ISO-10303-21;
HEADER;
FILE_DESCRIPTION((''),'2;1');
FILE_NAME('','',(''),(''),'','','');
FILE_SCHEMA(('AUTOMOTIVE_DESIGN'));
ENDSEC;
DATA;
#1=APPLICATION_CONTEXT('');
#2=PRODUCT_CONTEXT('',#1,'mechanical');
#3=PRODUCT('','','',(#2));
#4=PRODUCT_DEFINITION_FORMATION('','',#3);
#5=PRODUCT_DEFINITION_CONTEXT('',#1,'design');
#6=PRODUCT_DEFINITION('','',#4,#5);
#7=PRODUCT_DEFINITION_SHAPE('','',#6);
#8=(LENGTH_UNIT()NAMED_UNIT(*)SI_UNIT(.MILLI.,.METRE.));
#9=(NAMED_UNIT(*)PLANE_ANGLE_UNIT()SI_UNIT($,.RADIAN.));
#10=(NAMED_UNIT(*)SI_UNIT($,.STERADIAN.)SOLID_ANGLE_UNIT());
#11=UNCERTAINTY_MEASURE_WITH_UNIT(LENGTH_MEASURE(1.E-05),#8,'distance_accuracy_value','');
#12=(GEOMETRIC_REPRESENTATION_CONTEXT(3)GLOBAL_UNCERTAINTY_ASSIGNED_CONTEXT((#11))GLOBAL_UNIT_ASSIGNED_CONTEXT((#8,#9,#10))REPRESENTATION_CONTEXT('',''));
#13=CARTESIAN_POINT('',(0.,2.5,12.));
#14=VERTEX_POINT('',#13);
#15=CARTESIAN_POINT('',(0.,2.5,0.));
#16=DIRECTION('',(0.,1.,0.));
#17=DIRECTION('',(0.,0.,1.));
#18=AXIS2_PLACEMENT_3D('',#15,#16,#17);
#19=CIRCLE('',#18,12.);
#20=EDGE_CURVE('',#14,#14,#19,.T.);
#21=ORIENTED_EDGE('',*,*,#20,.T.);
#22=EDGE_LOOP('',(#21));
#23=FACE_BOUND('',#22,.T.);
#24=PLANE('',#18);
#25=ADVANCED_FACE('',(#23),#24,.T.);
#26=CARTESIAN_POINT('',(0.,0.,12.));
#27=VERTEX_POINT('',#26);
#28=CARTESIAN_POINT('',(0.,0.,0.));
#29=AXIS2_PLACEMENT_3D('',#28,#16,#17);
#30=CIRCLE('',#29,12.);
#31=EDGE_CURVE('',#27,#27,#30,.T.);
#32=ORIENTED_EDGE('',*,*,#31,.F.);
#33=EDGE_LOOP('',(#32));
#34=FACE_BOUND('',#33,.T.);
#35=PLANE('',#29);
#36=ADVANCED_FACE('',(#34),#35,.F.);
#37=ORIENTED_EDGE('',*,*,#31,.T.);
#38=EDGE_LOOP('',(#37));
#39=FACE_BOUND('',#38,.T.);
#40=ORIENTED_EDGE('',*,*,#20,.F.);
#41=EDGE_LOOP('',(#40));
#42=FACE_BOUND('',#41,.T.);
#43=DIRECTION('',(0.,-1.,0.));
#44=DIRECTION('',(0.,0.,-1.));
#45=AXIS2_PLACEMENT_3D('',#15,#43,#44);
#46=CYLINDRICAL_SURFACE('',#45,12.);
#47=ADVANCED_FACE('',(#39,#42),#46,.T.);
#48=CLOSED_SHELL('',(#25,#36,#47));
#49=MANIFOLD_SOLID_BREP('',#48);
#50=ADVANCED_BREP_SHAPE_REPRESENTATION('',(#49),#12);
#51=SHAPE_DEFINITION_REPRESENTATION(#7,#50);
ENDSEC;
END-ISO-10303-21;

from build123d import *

# Parameters (mm, degrees)
SKETCH_2_R      = 12
EXTRUDE_1_DEPTH = 2.5


with BuildPart() as part:
    # 草图2 → 凸台-拉伸1 (new body)
    with BuildSketch(Plane(origin=(0, 0, 0), x_dir=(1, 0, 0), z_dir=(0, 1, 0))):
        with Locations(Location((0, 0, 0), (0, 0, 270))):
            Circle(SKETCH_2_R)
    extrude(amount=EXTRUDE_1_DEPTH)


solid = part.part
